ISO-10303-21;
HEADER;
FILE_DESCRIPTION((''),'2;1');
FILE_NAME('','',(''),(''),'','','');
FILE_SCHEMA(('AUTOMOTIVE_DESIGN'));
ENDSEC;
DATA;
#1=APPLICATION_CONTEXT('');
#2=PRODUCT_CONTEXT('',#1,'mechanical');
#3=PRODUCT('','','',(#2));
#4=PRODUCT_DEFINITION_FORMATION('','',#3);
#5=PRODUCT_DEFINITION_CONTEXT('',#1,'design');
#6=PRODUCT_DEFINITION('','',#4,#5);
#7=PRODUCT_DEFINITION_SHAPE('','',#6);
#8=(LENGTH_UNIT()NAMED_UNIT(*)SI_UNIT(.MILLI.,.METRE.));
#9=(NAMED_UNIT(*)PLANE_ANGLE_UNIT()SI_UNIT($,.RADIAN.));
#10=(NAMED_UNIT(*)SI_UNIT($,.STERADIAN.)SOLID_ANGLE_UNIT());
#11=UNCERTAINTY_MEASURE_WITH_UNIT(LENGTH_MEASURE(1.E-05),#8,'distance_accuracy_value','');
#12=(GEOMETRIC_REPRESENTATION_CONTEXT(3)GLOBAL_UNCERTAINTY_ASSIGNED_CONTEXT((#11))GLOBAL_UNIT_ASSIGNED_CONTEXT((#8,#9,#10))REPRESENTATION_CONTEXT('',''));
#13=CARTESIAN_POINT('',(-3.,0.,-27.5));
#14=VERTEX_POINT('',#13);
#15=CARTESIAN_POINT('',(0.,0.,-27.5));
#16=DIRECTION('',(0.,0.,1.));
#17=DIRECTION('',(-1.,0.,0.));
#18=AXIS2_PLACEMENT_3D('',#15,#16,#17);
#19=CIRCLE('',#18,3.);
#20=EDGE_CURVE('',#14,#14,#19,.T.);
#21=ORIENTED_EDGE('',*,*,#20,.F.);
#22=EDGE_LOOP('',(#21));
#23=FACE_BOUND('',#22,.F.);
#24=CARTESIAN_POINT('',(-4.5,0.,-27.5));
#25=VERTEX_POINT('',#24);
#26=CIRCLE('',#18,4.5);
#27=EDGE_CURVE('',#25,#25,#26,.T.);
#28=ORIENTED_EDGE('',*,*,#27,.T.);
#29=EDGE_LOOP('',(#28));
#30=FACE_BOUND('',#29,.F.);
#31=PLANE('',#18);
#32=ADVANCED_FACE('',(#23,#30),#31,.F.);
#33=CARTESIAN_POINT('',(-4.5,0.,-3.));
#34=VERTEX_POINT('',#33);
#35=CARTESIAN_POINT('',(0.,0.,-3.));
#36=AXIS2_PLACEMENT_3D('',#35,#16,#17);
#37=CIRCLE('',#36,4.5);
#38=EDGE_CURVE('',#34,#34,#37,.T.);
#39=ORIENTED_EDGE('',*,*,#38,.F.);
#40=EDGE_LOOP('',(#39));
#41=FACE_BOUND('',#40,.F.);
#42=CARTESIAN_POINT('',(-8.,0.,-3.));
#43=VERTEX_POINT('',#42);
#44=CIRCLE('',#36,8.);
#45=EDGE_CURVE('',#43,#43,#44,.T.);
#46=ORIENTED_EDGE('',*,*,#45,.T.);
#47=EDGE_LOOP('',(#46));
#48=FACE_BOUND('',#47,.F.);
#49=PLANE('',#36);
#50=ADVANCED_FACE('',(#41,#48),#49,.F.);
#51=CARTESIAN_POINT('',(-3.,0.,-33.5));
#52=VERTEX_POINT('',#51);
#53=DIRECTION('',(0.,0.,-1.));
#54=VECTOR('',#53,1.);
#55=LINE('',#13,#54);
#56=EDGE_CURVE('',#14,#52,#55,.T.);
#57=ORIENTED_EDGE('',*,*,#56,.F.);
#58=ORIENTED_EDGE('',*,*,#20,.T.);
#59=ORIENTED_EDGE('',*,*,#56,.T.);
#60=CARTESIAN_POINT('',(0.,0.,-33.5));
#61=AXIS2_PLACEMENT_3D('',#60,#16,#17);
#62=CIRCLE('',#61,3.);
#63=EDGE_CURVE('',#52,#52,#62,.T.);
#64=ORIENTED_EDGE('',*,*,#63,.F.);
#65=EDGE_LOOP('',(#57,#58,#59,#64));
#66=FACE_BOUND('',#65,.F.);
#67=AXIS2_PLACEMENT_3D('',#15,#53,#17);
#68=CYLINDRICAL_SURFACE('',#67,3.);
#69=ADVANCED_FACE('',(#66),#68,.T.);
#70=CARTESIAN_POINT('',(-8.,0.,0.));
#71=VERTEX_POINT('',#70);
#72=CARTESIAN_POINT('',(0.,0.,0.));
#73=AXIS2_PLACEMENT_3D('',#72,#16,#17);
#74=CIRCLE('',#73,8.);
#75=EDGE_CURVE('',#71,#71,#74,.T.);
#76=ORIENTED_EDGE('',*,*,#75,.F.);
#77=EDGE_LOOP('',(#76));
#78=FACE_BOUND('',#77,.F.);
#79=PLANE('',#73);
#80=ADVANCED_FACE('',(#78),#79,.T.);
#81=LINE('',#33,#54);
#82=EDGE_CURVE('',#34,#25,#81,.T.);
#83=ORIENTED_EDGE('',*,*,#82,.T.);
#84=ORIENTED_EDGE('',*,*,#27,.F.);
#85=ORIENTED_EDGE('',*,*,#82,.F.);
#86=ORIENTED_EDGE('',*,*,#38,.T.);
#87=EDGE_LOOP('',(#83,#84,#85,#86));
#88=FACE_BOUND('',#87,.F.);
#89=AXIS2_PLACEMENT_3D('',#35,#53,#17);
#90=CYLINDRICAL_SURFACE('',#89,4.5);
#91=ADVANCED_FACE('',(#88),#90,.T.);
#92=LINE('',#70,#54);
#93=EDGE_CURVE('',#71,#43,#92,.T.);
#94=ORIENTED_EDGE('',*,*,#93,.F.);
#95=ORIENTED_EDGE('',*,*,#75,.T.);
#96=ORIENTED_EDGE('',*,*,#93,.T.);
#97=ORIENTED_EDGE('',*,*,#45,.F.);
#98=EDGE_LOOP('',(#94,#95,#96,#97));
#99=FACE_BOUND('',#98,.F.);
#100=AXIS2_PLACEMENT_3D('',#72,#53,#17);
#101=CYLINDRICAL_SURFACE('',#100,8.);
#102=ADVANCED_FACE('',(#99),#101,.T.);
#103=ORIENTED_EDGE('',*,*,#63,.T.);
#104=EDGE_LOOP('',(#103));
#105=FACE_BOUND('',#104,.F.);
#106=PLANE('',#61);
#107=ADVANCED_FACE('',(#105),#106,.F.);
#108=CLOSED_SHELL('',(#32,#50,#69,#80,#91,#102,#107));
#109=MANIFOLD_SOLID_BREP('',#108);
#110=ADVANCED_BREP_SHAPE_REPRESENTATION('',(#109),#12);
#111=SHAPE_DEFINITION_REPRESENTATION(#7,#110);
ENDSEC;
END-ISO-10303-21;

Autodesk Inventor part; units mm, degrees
ref_plane "YZ Plane" through (0, 0, 0) normal (1, 0, 0) x (0, 1, 0)
ref_plane "XZ Plane" through (0, 0, 0) normal (0, 1, 0) x (-1, 0, 0)
ref_plane "XY Plane" through (0, 0, 0) normal (0, 0, 1) x (1, 0, 0)
sketch "Sketch1" plane through (0, 0, 0) normal (0, 1, 0) x (-1, 0, 0)
  line L0 (0, 0) -> (8, 0)
  line L1 (8, 0) -> (8, -3)
  line L2 (8, -3) -> (4.5, -3)
  line L3 (4.5, -3) -> (4.5, -27.5)
  line L4 (4.5, -27.5) -> (3, -27.5)
  line L5 (3, -27.5) -> (3, -33.5)
  line L6 (3, -33.5) -> (0, -33.5)
  line L7 (0, -33.5) -> (0, 0)
  point P0 (0, -16.75)
  dimension "d0" = 6
  dimension "d1" = 6
  dimension "d2" = 24.5
  dimension "d3" = 3
  dimension "d4" = 9
  dimension "d5" = 16
revolve "Revolution1" add sketch "Sketch1" angle 360 about axis through (0, 0, -33.5) along (0, 0, 1)
thread "Thread1" size "M6x1" class "6g" standard "ISO Metric profile" length 12
properties part number "2025"
